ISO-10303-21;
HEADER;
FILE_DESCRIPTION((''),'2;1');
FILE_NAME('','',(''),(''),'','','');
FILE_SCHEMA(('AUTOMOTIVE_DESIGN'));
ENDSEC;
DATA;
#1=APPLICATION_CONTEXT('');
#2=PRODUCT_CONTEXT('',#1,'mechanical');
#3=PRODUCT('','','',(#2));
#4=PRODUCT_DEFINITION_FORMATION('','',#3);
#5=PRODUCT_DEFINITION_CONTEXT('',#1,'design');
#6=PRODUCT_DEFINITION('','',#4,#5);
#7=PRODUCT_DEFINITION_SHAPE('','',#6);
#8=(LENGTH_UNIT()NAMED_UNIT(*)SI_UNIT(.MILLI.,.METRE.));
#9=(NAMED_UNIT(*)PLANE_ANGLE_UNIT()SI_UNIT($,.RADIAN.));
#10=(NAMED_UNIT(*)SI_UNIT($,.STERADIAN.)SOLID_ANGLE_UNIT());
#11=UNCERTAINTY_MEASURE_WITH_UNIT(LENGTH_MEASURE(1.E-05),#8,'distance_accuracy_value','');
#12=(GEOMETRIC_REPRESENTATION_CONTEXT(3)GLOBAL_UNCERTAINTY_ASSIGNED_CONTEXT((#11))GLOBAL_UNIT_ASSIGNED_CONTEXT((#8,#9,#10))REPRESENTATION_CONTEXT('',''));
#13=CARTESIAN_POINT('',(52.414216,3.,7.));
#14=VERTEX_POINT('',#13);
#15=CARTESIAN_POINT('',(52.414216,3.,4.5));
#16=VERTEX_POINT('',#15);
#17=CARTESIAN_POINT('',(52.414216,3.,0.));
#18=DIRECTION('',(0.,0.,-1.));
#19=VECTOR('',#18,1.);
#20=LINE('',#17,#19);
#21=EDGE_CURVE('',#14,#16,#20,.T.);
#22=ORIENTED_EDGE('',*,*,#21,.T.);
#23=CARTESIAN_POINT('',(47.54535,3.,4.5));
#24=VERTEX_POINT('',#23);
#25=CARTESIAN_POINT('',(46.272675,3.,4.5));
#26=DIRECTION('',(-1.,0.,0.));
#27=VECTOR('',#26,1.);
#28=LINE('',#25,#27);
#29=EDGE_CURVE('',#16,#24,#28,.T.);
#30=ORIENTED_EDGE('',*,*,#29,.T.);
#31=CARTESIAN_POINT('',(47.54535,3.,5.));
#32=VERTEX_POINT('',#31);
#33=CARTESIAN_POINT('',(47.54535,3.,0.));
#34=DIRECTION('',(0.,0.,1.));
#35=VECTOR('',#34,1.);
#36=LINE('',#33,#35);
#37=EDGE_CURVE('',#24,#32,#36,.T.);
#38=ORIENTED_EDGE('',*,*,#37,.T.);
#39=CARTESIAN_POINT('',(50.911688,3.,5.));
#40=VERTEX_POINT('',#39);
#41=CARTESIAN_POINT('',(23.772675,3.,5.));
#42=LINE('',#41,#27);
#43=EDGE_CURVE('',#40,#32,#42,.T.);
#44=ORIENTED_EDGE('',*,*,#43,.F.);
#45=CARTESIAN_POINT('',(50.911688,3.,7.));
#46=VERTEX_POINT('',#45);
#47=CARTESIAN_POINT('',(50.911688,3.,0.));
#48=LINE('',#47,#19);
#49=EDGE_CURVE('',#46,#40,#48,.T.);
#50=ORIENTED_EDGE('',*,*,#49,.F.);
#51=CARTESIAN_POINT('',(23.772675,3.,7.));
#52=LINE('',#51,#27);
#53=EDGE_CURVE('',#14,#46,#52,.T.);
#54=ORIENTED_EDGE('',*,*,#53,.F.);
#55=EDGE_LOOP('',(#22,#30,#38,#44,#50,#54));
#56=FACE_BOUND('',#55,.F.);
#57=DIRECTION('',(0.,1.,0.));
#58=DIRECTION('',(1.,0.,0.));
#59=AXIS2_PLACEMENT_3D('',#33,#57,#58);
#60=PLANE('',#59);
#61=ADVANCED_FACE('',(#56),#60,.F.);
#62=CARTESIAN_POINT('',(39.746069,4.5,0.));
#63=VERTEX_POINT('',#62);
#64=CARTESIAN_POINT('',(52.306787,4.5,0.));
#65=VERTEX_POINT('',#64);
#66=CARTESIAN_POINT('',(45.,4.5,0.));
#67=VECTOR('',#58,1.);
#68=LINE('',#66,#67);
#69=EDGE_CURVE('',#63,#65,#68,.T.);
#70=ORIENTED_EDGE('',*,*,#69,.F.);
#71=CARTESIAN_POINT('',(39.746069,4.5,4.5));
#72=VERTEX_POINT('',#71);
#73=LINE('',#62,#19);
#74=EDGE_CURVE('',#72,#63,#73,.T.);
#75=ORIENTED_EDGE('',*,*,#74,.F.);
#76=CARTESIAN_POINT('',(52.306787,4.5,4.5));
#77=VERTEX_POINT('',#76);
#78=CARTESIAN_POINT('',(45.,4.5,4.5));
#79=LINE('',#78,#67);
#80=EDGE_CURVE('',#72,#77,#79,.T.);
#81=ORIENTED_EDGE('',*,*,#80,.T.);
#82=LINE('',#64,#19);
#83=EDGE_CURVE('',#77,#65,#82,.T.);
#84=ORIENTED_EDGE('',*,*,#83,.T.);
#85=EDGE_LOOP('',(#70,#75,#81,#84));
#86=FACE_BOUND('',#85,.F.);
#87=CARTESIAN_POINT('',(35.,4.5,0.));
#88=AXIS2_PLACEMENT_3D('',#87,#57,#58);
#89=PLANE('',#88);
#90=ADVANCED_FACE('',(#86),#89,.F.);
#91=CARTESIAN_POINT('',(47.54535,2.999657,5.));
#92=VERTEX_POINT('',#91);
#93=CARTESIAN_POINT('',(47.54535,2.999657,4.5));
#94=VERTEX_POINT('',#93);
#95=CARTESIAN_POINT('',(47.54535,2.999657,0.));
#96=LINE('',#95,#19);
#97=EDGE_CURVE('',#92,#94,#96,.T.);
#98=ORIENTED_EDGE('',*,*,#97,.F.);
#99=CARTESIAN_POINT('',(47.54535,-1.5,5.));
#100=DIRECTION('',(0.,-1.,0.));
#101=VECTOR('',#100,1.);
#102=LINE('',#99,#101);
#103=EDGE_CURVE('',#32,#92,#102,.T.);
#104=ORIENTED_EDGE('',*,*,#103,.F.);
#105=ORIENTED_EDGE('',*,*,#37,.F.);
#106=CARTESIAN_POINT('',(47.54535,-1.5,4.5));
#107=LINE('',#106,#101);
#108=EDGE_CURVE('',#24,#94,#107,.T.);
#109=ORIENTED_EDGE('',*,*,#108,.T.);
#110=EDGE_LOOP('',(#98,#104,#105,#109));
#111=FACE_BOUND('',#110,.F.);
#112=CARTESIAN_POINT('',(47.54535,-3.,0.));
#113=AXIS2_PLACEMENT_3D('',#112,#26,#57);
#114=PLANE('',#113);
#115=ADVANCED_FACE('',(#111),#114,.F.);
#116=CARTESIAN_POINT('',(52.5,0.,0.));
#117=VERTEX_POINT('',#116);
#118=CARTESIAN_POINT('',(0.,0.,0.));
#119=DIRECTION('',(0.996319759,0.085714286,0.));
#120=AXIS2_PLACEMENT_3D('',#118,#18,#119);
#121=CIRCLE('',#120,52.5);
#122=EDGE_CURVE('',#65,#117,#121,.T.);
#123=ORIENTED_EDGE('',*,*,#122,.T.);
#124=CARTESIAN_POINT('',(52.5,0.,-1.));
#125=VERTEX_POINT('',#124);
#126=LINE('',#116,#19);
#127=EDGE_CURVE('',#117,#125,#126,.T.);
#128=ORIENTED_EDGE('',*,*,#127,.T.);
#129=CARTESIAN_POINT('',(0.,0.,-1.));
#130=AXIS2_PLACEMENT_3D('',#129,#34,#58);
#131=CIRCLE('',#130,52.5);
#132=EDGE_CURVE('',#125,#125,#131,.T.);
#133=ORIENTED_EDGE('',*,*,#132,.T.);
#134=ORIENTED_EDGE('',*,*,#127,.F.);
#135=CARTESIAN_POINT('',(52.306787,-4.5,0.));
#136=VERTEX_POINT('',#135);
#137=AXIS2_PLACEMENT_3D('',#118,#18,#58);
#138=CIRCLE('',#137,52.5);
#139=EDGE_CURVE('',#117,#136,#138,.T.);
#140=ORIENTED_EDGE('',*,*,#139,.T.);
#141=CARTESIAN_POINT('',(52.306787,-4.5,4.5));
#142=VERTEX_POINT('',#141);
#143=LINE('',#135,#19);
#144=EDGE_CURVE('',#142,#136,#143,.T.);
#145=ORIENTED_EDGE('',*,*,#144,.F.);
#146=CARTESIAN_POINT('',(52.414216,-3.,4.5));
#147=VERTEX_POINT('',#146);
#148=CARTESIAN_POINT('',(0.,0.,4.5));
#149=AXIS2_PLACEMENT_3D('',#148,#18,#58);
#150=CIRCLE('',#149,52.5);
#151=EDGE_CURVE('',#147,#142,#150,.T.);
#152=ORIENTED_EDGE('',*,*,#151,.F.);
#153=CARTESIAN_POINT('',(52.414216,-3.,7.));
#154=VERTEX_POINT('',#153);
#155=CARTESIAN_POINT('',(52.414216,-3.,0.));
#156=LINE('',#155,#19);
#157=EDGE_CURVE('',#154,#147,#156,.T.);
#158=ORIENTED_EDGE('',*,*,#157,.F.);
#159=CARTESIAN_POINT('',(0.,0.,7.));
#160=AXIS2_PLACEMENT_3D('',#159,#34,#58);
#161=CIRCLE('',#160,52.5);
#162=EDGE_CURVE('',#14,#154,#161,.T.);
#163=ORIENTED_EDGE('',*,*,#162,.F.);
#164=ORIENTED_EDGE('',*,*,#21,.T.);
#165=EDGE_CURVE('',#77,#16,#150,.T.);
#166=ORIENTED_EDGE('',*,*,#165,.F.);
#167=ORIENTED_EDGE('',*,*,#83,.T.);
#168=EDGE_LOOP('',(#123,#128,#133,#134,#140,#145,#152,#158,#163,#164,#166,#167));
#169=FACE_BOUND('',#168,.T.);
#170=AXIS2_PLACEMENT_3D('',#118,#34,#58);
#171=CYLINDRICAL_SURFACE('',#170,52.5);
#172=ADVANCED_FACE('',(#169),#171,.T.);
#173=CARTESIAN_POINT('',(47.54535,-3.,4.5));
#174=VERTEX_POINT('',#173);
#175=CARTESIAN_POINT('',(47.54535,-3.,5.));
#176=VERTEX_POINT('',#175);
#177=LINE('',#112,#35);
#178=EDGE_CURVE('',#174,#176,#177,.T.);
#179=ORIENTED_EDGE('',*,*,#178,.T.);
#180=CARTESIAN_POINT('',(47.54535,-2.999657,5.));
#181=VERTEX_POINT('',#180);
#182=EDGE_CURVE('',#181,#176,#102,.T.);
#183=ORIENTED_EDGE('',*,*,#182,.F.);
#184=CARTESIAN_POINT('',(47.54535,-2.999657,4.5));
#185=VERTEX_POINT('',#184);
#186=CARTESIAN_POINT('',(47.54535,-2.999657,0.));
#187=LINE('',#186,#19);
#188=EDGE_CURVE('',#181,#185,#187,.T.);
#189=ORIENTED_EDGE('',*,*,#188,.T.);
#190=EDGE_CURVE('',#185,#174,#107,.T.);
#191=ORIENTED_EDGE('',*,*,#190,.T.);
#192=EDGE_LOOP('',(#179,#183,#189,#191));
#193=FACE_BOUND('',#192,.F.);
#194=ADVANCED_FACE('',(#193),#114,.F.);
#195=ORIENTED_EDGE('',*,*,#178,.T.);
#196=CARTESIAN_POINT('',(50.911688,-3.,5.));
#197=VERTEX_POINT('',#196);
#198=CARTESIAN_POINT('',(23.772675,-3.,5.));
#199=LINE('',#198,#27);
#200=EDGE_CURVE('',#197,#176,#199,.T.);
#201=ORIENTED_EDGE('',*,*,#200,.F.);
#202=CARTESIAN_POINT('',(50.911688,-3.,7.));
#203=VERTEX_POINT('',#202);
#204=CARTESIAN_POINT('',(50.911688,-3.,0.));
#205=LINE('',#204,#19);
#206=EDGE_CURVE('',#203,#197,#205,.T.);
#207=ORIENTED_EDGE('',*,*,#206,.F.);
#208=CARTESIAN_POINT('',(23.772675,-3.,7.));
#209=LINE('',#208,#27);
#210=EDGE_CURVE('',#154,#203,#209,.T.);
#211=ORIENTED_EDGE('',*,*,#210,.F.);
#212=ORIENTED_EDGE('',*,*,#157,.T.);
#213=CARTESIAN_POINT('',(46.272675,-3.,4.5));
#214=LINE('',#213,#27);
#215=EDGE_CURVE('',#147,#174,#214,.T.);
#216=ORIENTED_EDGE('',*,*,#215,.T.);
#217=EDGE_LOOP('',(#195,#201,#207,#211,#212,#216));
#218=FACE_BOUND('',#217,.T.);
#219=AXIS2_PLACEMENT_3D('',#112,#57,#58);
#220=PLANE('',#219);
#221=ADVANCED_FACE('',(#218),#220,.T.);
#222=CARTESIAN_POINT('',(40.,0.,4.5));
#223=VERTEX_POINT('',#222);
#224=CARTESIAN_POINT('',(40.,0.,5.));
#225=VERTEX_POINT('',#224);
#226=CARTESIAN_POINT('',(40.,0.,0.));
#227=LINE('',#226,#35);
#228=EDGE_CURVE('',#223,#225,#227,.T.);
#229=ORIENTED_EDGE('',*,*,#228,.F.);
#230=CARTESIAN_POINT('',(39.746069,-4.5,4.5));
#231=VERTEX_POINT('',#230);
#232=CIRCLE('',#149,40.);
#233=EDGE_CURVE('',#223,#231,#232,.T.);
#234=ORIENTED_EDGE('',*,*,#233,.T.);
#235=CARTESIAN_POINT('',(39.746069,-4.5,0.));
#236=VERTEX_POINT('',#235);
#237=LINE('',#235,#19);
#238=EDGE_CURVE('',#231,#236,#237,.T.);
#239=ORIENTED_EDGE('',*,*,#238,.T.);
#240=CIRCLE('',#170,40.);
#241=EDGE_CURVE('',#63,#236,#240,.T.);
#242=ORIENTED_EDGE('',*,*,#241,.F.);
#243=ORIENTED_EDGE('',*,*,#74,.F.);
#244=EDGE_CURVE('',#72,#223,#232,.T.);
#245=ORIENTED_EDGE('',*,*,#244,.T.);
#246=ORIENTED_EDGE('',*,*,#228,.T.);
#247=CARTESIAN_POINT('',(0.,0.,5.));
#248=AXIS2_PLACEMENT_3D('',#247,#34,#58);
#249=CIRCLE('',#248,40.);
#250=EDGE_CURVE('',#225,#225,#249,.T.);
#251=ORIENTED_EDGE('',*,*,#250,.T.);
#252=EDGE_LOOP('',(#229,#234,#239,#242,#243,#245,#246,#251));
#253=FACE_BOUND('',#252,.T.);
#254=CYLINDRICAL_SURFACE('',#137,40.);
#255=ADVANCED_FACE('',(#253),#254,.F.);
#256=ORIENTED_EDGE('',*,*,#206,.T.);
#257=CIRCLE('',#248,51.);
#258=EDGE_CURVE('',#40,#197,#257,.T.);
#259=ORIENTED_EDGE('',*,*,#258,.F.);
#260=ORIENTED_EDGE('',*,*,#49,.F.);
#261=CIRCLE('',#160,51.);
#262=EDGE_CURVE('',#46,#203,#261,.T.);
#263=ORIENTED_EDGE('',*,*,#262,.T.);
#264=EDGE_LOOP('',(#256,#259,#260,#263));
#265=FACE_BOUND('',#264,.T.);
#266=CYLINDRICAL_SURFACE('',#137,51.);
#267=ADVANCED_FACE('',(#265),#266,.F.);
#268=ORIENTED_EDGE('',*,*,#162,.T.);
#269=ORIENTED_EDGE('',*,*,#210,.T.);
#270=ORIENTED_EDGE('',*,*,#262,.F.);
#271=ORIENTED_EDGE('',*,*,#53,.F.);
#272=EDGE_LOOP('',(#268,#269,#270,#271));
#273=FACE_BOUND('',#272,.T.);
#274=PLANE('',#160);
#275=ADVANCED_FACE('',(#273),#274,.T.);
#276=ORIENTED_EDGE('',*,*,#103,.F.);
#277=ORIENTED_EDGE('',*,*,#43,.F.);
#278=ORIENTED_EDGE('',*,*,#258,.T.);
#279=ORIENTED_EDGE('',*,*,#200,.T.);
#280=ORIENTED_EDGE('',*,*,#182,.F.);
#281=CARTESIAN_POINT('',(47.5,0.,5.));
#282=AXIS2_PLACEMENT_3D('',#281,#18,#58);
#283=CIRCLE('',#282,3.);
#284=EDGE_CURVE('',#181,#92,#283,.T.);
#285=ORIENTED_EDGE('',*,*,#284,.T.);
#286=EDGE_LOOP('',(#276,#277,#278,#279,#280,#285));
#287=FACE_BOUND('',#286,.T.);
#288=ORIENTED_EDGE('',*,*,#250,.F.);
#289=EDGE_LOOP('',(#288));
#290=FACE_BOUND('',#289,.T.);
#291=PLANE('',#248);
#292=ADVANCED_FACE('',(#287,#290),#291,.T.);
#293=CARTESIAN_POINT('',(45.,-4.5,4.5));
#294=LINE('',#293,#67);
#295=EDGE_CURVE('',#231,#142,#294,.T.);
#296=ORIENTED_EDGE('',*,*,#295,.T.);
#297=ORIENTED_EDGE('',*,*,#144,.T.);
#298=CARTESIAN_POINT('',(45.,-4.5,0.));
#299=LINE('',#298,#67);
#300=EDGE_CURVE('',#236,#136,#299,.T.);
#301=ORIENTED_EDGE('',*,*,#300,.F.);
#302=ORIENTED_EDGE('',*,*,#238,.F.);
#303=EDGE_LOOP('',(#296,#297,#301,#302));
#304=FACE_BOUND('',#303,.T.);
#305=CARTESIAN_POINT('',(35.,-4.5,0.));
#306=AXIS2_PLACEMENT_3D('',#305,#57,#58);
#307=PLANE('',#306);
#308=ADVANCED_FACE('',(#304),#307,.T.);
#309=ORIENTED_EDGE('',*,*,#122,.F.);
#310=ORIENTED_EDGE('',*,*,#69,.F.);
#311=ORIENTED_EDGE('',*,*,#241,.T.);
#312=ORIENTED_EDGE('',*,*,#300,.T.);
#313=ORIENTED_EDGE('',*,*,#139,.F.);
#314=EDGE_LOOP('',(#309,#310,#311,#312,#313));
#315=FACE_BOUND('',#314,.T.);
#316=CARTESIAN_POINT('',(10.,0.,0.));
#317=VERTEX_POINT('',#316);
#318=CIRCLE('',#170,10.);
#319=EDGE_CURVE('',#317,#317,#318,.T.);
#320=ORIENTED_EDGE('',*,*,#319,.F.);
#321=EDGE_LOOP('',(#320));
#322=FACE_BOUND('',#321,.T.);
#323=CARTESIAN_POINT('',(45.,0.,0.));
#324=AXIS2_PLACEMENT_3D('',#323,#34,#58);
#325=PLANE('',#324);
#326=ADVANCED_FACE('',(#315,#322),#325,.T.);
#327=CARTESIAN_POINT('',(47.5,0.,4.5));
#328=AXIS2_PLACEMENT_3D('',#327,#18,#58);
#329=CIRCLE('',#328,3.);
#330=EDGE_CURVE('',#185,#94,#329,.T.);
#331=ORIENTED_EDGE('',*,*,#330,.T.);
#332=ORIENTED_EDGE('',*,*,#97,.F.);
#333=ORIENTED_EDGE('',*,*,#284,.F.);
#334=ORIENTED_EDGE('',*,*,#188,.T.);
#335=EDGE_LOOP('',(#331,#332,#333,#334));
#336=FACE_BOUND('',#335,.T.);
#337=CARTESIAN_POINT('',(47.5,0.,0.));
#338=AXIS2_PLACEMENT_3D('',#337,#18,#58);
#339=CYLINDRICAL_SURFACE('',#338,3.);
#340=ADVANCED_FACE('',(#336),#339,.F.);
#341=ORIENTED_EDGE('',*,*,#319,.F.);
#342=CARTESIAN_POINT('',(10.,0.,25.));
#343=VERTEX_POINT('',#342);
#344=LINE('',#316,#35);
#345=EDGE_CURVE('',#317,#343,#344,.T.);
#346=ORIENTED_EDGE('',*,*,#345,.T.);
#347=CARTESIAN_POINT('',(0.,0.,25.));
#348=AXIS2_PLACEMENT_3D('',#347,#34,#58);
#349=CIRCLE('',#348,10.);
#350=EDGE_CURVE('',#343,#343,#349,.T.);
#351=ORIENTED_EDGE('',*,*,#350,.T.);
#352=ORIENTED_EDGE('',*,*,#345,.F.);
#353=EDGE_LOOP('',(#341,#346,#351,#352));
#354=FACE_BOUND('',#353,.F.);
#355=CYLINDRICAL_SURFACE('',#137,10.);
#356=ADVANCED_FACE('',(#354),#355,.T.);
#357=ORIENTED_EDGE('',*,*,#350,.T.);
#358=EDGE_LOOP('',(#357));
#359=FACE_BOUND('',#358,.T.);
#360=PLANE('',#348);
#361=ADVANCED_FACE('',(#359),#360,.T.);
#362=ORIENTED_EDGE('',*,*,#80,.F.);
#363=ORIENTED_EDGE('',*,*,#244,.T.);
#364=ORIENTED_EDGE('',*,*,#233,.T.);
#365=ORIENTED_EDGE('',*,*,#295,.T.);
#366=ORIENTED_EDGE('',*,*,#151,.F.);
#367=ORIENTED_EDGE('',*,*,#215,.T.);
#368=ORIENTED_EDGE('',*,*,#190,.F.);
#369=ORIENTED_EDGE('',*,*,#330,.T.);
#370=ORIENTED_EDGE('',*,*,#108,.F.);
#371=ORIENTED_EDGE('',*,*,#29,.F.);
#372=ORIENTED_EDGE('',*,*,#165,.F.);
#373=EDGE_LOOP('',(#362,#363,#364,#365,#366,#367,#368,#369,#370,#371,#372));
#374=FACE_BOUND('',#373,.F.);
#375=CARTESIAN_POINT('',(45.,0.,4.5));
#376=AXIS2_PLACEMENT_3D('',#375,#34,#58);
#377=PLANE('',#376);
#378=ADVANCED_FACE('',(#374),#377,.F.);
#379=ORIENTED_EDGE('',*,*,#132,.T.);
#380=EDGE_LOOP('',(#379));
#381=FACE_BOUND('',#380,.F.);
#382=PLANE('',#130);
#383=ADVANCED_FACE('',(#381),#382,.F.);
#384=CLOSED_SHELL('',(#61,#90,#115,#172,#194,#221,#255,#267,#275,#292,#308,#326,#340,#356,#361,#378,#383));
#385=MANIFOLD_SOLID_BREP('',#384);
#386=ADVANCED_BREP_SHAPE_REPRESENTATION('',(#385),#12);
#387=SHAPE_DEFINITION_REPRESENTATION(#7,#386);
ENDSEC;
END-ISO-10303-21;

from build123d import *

# Parameters (mm, degrees)
F0_R      = 52.5
F0_R_2    = 51
F0_R_3    = 40
F1_DEPTH  = 1
F2_DEPTH  = 5
F3_DEPTH  = 7
F4_W      = 20
F4_H      = 9
F5_DEPTH  = 4.5
F6_R      = 3
F7_DEPTH  = 7.001
F8_W      = 8.0645383788
F8_H      = 6
F9_DEPTH  = 10
F10_R     = 10
F11_DEPTH = 25


with BuildPart() as f1:
    # F0 (on Top) → F1 (new body)
    with BuildSketch(Plane.XY):
        Circle(F0_R)
        Circle(F0_R_2, mode=Mode.SUBTRACT)
        Circle(F0_R_2)
        Circle(F0_R_3, mode=Mode.SUBTRACT)
        Circle(F0_R_3)
    extrude(amount=-F1_DEPTH)

    # F0 (on Top) → F2 (join)
    with BuildSketch(Plane.XY):
        Circle(F0_R_2)
        Circle(F0_R_3, mode=Mode.SUBTRACT)
    extrude(amount=F2_DEPTH)

    # F0 (on Top) → F3 (join)
    with BuildSketch(Plane.XY):
        Circle(F0_R)
        Circle(F0_R_2, mode=Mode.SUBTRACT)
    extrude(amount=F3_DEPTH)

    # F4 (on Top) → F5 (cut)
    with BuildSketch(Plane.XY):
        with Locations((45, 0)):
            Rectangle(F4_W, F4_H)
    extrude(amount=F5_DEPTH, mode=Mode.SUBTRACT)

    # F6 (on Top) → F7 (cut, through all)
    with BuildSketch(Plane.XY):
        with Locations((47.5, 0)):
            Circle(F6_R)
    extrude(amount=F7_DEPTH, mode=Mode.SUBTRACT)

    # F8 (on Top) → F9 (cut)
    with BuildSketch(Plane.XY):
        with Locations((51.5776195013, 0)):
            Rectangle(F8_W, F8_H)
    extrude(amount=F9_DEPTH, mode=Mode.SUBTRACT)

    # F10 (on face) → F11 (join)
    with BuildSketch(Plane.XY):
        Circle(F10_R)
    extrude(amount=F11_DEPTH)


solid = f1.part
